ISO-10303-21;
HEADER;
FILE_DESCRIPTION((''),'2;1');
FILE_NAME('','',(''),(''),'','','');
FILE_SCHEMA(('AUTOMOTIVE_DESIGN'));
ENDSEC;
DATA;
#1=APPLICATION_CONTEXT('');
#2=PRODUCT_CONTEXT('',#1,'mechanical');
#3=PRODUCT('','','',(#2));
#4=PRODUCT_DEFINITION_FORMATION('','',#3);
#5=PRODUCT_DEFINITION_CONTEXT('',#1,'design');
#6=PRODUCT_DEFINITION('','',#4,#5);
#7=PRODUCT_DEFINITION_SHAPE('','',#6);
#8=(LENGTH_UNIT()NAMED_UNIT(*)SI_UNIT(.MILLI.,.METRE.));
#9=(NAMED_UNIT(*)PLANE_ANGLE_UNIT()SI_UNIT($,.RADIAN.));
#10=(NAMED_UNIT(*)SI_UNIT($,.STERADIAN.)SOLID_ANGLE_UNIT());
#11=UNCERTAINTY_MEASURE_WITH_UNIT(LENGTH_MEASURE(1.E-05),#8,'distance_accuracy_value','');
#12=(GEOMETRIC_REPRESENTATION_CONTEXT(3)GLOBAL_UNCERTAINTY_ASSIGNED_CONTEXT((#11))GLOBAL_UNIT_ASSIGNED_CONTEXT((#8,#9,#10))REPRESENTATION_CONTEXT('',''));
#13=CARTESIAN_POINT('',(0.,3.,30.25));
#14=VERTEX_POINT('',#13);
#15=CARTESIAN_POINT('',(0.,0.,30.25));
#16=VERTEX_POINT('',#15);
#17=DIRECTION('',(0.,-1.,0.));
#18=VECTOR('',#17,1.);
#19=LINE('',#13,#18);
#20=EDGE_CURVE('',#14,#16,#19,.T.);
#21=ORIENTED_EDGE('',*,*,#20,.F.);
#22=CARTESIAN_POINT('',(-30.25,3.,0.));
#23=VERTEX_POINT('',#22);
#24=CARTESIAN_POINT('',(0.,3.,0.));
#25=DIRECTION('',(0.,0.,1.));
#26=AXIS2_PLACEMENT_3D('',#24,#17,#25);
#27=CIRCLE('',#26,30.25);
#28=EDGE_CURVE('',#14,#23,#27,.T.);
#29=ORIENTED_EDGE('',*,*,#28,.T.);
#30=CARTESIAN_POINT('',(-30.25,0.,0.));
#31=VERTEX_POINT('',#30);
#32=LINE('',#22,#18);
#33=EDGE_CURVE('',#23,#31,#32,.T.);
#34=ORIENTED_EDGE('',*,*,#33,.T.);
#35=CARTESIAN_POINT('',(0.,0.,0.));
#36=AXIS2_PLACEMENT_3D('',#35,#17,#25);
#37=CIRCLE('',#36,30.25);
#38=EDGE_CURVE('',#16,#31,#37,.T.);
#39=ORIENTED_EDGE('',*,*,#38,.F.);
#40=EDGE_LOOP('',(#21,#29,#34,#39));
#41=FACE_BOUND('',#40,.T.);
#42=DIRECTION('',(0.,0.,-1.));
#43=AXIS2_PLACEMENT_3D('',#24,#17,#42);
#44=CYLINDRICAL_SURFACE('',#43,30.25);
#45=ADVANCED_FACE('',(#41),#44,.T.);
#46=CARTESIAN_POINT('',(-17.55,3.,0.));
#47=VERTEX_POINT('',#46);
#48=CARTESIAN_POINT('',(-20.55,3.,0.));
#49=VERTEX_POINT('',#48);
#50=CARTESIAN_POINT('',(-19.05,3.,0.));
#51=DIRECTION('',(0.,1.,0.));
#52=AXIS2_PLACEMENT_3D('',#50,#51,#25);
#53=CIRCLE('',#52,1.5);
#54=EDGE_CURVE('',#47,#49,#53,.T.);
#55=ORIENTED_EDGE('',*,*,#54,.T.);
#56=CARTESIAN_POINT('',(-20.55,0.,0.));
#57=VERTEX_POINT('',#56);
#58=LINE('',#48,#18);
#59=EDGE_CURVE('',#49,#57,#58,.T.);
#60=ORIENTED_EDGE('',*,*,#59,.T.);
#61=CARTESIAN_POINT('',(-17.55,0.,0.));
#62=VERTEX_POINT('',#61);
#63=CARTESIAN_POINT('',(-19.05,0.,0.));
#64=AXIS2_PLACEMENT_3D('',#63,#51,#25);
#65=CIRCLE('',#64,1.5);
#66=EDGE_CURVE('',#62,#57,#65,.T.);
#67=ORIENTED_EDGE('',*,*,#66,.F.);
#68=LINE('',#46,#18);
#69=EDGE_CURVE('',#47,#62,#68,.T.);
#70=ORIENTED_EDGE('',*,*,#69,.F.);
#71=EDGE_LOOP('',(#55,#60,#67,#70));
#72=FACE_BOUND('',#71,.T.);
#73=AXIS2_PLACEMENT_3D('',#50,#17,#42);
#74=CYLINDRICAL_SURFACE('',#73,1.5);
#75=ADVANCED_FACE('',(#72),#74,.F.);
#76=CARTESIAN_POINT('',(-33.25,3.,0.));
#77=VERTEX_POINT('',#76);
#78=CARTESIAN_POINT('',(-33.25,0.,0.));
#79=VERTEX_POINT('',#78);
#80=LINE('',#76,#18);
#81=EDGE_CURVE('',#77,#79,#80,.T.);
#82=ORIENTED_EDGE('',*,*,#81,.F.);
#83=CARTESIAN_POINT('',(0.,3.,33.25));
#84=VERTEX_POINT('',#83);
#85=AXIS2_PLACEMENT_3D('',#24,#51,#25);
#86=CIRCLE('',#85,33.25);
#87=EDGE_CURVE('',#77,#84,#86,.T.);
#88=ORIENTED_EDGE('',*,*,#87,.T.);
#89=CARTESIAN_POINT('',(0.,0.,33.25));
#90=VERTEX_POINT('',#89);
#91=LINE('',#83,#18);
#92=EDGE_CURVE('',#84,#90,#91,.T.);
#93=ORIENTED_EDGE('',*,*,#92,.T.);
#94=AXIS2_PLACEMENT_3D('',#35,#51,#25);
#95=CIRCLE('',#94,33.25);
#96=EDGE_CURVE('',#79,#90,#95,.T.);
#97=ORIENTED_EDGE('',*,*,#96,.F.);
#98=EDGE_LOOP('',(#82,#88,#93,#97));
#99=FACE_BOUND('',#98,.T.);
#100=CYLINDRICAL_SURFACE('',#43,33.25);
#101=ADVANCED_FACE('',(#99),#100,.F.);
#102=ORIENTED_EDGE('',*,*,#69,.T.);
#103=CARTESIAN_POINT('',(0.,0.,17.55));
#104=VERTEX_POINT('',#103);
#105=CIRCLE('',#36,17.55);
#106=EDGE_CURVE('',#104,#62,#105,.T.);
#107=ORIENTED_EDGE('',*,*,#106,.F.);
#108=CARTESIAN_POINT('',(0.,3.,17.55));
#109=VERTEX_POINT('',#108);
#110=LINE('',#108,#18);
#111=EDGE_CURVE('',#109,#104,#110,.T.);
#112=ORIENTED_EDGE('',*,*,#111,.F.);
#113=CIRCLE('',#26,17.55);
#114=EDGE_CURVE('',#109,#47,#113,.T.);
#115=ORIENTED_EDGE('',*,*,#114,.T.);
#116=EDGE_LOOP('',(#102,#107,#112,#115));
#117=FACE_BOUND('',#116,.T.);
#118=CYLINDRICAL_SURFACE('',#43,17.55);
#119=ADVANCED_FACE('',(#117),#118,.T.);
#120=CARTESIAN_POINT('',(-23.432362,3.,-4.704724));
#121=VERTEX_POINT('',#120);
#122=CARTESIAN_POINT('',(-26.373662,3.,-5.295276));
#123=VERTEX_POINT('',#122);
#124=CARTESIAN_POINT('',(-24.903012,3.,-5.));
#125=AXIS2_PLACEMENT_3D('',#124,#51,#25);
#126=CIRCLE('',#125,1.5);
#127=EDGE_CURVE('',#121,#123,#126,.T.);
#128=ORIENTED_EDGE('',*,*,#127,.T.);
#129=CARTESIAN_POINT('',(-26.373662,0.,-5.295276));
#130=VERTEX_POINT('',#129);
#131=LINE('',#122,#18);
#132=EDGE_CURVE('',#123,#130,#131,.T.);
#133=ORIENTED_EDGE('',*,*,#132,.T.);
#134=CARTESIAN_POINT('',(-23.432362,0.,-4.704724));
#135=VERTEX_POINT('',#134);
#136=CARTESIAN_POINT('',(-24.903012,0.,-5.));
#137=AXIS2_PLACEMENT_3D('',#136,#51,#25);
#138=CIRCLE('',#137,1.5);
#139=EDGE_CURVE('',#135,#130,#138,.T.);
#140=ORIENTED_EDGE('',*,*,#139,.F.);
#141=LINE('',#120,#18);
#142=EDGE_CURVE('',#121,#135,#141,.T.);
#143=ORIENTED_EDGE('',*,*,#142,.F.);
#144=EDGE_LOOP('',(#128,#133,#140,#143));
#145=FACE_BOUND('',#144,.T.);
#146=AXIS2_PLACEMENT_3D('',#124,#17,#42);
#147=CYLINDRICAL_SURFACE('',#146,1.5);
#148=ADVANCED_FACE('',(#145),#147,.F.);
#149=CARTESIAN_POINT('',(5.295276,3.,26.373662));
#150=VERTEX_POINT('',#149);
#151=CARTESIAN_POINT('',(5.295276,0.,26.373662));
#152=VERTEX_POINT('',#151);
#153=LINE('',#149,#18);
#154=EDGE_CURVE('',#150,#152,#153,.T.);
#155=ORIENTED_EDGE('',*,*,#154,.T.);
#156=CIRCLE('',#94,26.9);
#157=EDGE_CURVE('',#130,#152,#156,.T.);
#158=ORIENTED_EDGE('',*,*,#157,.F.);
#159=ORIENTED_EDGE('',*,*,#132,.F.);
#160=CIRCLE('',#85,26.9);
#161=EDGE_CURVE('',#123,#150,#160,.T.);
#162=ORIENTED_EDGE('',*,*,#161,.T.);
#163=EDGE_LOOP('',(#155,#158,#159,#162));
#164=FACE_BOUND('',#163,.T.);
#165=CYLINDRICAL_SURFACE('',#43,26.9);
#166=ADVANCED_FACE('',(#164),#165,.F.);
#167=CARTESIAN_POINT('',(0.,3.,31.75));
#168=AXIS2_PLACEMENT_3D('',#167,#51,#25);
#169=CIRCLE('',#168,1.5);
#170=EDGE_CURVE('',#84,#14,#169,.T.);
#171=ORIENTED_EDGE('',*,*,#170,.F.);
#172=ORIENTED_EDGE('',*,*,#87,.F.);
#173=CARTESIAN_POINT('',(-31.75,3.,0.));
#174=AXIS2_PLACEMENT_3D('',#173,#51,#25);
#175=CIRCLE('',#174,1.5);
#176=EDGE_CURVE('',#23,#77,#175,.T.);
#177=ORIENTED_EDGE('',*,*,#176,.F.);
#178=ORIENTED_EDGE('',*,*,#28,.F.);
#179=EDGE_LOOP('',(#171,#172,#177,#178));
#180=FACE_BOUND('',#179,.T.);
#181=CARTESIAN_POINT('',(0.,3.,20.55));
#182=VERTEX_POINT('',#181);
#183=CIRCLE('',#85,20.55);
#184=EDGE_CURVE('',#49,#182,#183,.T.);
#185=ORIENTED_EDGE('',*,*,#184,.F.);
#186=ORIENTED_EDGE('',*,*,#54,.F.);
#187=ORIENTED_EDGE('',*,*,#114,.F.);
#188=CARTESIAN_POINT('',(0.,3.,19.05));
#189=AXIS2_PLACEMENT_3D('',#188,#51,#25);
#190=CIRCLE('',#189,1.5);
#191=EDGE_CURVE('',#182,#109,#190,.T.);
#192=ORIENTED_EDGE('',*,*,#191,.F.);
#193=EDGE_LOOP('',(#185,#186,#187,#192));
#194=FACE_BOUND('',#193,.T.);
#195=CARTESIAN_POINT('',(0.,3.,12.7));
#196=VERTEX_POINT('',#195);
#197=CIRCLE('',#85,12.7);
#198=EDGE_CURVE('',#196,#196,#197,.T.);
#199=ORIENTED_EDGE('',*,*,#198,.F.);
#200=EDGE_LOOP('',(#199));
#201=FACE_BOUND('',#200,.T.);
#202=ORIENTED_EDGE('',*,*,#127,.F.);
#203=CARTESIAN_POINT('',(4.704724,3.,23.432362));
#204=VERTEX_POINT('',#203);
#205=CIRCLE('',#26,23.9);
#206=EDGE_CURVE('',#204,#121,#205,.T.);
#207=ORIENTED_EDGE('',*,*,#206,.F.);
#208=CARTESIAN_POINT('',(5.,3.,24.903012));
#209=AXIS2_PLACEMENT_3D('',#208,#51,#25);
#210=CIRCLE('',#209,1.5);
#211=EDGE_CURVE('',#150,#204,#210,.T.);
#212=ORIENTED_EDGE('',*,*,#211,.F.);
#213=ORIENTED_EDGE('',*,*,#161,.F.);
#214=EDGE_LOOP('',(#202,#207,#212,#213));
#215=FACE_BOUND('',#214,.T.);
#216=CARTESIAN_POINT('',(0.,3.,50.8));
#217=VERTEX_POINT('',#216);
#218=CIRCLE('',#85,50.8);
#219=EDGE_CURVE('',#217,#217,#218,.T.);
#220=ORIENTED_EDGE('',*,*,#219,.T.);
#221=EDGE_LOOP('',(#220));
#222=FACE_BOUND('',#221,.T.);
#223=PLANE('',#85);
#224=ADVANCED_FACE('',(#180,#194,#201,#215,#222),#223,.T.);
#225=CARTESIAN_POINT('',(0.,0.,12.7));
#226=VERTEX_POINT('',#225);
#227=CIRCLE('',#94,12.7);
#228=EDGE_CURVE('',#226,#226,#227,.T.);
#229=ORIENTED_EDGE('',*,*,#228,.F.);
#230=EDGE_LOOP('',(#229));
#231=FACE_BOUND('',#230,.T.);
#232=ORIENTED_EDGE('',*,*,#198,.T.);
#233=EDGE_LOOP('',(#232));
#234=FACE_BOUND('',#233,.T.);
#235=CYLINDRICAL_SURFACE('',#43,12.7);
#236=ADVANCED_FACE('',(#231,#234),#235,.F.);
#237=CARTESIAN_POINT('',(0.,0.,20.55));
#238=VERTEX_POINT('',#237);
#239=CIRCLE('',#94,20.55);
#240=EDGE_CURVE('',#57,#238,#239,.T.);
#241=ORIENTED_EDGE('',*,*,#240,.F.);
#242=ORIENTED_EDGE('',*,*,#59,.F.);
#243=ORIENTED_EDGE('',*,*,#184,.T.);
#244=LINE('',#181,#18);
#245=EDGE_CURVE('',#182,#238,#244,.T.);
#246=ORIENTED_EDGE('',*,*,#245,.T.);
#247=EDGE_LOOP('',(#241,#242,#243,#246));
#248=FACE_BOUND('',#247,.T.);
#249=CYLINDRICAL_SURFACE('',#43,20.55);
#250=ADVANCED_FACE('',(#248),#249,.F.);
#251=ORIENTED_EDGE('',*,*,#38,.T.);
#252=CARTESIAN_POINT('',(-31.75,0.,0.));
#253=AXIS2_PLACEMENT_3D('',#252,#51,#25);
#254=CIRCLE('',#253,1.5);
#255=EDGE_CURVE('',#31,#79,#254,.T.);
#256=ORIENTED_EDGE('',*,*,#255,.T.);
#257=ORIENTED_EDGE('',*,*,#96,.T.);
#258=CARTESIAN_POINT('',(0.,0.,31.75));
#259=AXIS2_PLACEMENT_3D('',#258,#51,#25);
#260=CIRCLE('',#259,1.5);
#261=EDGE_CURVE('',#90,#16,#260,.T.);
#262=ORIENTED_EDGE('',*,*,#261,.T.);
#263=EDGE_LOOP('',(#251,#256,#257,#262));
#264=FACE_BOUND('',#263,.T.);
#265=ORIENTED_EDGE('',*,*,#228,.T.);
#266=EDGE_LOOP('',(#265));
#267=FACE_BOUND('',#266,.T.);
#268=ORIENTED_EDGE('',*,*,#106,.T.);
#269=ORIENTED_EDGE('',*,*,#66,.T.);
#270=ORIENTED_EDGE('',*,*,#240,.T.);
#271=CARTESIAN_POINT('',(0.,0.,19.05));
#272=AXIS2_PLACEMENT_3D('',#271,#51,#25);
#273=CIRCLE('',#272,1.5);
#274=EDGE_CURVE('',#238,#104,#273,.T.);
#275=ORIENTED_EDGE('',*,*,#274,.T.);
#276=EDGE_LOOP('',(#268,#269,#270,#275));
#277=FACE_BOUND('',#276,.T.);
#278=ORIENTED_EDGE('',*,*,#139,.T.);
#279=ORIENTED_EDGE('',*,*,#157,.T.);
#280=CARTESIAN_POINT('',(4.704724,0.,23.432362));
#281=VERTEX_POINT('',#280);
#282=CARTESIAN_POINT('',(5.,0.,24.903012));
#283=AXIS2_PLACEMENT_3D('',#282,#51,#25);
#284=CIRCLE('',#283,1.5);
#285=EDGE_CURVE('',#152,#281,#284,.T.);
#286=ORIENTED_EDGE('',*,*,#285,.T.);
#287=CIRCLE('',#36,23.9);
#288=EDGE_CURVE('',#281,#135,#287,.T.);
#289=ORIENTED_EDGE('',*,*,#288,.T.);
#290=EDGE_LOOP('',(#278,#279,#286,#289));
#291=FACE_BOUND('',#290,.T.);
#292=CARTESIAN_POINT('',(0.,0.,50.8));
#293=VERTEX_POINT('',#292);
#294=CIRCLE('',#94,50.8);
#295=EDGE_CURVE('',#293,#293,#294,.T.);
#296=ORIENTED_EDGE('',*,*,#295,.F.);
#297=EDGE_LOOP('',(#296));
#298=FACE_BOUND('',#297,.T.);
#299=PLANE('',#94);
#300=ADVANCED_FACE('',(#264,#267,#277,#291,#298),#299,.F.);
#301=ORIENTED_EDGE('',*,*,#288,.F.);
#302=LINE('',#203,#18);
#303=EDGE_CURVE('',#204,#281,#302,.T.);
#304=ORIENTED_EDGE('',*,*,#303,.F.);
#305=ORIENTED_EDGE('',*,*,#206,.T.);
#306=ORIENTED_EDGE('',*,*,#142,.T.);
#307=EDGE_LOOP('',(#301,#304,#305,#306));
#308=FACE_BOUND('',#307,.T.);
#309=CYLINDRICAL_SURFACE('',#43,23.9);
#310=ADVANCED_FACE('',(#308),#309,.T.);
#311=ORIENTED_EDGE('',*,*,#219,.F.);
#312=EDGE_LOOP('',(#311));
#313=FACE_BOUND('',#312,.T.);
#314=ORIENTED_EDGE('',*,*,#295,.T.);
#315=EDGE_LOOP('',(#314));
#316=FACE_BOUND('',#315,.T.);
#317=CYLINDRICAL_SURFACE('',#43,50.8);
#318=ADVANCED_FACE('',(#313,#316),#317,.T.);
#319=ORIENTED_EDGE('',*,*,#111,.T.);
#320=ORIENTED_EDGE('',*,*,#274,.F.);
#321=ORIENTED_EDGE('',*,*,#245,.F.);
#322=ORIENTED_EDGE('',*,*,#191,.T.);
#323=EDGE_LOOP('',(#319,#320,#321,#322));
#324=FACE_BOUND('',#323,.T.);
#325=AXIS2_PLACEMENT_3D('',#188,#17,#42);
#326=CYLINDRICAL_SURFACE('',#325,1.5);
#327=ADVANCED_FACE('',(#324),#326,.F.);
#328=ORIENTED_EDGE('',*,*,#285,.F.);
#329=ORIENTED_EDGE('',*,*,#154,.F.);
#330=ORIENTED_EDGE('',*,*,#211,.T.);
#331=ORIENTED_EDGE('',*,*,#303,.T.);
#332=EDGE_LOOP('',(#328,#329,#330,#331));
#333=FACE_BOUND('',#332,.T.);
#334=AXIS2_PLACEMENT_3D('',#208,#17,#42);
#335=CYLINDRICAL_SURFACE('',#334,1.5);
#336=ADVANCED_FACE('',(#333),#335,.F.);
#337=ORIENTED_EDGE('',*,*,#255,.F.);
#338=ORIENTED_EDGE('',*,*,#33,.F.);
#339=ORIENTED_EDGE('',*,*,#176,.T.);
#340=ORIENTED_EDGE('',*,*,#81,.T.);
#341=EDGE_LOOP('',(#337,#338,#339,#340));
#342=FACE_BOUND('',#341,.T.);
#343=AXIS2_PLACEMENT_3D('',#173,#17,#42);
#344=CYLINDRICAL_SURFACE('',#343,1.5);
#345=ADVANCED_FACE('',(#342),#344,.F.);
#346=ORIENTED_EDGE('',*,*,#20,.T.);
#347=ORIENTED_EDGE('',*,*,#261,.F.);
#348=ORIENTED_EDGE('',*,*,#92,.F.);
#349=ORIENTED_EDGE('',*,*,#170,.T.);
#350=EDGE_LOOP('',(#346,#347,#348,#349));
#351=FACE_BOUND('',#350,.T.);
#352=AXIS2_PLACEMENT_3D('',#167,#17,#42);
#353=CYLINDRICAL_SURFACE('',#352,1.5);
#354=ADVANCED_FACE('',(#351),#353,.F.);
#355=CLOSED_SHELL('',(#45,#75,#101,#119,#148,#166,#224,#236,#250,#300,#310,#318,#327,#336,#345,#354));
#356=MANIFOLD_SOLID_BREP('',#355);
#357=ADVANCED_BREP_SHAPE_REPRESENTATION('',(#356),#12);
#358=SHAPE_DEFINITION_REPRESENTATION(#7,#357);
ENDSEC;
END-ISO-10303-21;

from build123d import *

# Parameters (mm, degrees)
SKETCH1_R           = 50.8
SKETCH1_R_2         = 12.7
BOSS_EXTRUDE1_DEPTH = 3


with BuildPart() as part:
    # Sketch1 → Boss-Extrude1 (new body)
    with BuildSketch(Plane(origin=(0, 0, 0), x_dir=(1, 0, 0), z_dir=(0, 1, 0))):
        Circle(SKETCH1_R)
        Circle(SKETCH1_R_2, mode=Mode.SUBTRACT)
        with BuildLine():
            ThreePointArc((-33.25, 0), (-23.511300474, -23.511300474), (0, -33.25))
            ThreePointArc((0, -33.25), (1.5, -31.75), (0, -30.25))
            ThreePointArc((0, -30.25), (-21.389980131, -21.389980131), (-30.25, 0))
            ThreePointArc((-30.25, 0), (-31.75, 1.5), (-33.25, 0))
        make_face(mode=Mode.SUBTRACT)
        with BuildLine():
            ThreePointArc((-26.373662173, 5.295275591), (-19.021172414, -19.021172414), (5.295275591, -26.373662173))
            ThreePointArc((5.295275591, -26.373662173), (6.470650307, -24.607736275), (4.704724409, -23.432361559))
            ThreePointArc((4.704724409, -23.432361559), (-16.89985207, -16.89985207), (-23.432361559, 4.704724409))
            ThreePointArc((-23.432361559, 4.704724409), (-24.607736275, 6.470650307), (-26.373662173, 5.295275591))
        make_face(mode=Mode.SUBTRACT)
        with BuildLine():
            ThreePointArc((-20.55, 0), (-14.531044353, -14.531044353), (0, -20.55))
            ThreePointArc((0, -20.55), (1.5, -19.05), (0, -17.55))
            ThreePointArc((0, -17.55), (-12.40972401, -12.40972401), (-17.55, 0))
            ThreePointArc((-17.55, 0), (-19.05, 1.5), (-20.55, 0))
        make_face(mode=Mode.SUBTRACT)
    extrude(amount=BOSS_EXTRUDE1_DEPTH)


solid = part.part
